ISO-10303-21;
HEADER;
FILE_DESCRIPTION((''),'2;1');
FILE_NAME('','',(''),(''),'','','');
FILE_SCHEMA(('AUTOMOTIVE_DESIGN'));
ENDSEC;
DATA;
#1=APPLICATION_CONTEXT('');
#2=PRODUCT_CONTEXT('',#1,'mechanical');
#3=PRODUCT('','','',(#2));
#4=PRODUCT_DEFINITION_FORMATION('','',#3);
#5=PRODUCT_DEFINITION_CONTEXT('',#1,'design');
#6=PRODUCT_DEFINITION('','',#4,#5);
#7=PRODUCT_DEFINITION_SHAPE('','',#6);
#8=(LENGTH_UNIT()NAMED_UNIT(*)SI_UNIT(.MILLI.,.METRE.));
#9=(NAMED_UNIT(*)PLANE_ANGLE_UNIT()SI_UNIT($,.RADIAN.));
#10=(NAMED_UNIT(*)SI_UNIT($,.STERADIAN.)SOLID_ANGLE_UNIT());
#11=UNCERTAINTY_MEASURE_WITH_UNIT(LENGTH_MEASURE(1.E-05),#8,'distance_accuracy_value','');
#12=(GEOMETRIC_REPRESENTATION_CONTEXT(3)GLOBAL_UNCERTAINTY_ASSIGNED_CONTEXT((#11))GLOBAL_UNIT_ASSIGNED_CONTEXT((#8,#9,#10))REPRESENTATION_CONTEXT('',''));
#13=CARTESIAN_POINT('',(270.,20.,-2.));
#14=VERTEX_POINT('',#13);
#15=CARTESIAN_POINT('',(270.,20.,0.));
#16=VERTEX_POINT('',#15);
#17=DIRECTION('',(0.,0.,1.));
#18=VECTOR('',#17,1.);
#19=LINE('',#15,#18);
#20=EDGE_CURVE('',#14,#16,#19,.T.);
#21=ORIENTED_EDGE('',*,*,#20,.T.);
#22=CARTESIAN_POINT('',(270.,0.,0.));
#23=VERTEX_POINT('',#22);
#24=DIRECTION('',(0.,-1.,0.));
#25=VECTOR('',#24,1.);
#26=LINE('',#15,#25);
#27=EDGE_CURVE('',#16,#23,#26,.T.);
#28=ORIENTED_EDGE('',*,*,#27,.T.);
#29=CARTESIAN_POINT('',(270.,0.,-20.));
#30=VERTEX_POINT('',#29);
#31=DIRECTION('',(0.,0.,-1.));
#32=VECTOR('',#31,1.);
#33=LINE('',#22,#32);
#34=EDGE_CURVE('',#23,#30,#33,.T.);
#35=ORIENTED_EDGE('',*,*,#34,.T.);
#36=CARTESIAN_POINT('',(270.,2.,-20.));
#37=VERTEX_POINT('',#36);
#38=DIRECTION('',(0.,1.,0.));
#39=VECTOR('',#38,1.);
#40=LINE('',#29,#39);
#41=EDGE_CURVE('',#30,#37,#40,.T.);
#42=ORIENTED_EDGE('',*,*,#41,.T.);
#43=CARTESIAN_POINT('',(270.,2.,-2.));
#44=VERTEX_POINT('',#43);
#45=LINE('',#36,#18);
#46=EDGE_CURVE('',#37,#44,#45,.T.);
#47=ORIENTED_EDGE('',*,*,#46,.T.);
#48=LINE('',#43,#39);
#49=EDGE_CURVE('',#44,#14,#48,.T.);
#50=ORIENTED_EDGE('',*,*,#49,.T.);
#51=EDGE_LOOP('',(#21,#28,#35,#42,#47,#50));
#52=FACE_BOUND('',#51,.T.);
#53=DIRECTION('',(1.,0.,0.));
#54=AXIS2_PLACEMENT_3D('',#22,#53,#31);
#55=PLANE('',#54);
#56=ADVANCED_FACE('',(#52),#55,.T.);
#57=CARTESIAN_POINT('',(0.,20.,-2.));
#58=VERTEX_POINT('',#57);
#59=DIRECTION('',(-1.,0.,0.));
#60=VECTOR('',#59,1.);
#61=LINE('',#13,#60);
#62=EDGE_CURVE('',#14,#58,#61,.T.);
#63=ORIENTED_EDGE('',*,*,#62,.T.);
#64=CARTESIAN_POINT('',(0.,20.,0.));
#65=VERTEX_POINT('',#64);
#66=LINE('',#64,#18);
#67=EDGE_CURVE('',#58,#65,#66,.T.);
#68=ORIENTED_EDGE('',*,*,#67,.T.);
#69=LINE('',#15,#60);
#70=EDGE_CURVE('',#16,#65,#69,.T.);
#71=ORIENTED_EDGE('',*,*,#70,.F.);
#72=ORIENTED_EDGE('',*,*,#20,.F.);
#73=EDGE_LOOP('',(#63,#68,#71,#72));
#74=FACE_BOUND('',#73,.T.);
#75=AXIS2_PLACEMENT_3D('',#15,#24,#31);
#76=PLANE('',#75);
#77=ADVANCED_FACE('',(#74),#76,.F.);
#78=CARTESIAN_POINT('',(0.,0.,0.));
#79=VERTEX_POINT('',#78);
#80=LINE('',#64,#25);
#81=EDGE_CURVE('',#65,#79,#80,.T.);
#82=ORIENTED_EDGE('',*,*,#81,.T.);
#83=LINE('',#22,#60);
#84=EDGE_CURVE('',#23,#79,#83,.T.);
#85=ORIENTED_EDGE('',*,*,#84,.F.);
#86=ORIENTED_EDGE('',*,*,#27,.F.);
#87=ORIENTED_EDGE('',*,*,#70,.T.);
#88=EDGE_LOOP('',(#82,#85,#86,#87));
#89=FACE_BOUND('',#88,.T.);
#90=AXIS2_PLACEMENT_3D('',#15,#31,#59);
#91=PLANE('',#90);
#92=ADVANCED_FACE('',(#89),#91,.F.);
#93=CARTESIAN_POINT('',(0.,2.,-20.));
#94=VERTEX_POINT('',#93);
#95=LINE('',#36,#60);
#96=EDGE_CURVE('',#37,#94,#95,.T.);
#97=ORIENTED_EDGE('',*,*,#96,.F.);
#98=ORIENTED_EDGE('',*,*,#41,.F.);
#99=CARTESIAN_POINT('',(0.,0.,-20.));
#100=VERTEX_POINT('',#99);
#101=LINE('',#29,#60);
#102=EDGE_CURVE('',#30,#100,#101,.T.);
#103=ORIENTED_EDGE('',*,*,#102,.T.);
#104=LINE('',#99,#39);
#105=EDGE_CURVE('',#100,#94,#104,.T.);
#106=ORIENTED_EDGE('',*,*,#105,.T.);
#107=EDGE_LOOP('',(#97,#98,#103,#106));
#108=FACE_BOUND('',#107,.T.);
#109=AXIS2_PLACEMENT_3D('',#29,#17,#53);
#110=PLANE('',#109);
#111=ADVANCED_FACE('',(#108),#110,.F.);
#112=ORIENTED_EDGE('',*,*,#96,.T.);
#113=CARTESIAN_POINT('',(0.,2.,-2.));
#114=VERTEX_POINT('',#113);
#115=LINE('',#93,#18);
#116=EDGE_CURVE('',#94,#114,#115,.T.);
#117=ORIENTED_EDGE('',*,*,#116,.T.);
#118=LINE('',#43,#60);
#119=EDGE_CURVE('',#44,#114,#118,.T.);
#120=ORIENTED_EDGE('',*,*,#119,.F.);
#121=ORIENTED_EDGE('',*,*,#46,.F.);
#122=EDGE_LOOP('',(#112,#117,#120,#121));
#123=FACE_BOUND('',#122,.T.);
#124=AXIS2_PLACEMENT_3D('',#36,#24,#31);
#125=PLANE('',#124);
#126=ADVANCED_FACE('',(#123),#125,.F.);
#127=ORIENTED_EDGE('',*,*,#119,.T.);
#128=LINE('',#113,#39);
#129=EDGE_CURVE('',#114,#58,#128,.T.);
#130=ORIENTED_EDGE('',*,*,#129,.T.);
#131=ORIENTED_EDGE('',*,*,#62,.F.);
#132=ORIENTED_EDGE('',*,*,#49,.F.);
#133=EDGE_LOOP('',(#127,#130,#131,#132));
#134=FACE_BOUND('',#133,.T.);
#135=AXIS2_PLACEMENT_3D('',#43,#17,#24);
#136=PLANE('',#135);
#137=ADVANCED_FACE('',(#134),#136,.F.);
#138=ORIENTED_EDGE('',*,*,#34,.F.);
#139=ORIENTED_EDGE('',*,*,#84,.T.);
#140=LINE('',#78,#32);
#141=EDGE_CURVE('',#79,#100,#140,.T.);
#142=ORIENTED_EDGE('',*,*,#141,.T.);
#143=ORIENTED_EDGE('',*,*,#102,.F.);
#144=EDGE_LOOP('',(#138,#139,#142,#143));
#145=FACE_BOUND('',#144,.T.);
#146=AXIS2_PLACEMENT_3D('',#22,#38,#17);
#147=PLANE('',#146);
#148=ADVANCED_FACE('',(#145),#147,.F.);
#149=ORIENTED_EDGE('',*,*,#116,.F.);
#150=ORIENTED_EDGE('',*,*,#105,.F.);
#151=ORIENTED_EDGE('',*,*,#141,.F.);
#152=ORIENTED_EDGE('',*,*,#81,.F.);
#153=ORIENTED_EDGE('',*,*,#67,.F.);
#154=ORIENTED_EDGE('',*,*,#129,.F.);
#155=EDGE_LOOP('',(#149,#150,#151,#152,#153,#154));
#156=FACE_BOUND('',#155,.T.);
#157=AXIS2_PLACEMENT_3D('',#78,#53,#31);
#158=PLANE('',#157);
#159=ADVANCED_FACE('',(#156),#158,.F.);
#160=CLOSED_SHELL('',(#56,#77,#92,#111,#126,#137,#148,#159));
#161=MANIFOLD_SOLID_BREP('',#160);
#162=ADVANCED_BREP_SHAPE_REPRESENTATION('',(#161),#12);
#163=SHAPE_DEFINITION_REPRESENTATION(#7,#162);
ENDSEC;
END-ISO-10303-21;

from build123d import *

# Parameters (mm, degrees)
BOSS_EXTRUDE1_DEPTH = 270


with BuildPart() as part:
    # Sketch1 → Boss-Extrude1 (new body)
    with BuildSketch(Plane(origin=(0, 0, 0), x_dir=(0, 0, -1), z_dir=(1, 0, 0))):
        Polygon((0, 20), (0, 0), (20, 0), (20, 2), (2, 2), (2, 20), align=None)
    extrude(amount=BOSS_EXTRUDE1_DEPTH)


solid = part.part
